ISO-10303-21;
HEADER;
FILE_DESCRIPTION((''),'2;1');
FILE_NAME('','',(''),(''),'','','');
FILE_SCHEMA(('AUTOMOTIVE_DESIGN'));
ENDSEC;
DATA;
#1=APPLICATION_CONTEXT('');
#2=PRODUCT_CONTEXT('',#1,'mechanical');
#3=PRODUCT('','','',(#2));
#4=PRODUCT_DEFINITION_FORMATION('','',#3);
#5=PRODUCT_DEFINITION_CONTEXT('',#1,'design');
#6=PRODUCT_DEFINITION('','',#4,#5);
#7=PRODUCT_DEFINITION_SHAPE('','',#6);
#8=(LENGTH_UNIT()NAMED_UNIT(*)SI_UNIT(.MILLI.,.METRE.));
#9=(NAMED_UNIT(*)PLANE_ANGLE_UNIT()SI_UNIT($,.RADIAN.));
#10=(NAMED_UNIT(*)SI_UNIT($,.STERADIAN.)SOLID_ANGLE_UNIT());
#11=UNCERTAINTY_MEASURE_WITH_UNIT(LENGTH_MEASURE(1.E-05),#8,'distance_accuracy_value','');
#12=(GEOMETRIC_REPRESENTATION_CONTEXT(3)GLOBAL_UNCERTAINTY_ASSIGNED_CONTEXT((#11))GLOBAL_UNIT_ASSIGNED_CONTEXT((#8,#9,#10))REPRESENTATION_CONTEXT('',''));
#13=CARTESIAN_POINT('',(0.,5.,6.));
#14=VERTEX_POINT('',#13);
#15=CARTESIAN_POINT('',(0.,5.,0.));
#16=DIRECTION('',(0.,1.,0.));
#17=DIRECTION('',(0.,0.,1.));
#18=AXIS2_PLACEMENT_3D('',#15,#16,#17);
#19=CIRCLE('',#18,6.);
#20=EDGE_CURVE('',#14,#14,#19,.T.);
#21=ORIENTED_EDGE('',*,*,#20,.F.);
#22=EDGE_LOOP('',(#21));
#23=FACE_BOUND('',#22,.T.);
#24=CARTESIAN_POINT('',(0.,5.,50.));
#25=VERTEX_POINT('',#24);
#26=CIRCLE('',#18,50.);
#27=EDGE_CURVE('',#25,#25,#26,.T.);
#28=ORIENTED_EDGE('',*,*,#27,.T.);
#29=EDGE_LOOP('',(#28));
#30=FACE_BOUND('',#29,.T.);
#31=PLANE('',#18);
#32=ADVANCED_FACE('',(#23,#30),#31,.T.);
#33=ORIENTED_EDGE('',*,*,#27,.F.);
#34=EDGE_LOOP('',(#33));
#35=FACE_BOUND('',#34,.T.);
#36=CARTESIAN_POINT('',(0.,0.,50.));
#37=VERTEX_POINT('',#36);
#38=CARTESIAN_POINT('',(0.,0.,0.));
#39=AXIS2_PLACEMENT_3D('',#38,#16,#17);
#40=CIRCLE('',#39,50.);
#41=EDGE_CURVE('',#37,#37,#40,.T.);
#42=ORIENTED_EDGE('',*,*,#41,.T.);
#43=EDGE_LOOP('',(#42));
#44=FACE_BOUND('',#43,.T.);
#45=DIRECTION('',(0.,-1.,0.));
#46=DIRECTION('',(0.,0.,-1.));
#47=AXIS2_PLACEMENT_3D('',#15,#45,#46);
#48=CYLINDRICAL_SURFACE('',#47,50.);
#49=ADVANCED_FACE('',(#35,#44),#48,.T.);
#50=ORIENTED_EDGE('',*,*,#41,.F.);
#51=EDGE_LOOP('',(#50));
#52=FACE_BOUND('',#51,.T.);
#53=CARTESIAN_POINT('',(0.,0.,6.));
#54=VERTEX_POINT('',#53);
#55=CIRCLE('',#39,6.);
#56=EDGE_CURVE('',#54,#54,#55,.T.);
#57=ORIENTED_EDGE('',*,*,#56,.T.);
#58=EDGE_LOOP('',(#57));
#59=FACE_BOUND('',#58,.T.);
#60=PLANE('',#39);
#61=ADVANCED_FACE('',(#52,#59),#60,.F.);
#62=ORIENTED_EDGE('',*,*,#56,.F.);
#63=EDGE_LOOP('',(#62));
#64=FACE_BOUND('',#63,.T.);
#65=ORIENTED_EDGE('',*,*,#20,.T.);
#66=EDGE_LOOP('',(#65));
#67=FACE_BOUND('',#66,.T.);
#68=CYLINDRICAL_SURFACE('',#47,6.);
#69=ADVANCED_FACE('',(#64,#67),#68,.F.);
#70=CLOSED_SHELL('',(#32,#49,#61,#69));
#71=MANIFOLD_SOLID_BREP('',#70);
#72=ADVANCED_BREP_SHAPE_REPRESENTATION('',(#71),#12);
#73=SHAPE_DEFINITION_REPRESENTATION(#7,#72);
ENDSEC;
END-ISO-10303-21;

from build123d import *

# Parameters (mm, degrees)
SKETCH1_R           = 50
SKETCH1_R_2         = 6
BOSS_EXTRUDE1_DEPTH = 5


with BuildPart() as part:
    # Sketch1 → Boss-Extrude1 (new body)
    with BuildSketch(Plane(origin=(0, 0, 0), x_dir=(1, 0, 0), z_dir=(0, 1, 0))):
        with Locations(Location((0, 0, 0), (0, 0, 270))):
            Circle(SKETCH1_R)
        with Locations(Location((0, 0, 0), (0, 0, 270))):
            Circle(SKETCH1_R_2, mode=Mode.SUBTRACT)
    extrude(amount=BOSS_EXTRUDE1_DEPTH)


solid = part.part
